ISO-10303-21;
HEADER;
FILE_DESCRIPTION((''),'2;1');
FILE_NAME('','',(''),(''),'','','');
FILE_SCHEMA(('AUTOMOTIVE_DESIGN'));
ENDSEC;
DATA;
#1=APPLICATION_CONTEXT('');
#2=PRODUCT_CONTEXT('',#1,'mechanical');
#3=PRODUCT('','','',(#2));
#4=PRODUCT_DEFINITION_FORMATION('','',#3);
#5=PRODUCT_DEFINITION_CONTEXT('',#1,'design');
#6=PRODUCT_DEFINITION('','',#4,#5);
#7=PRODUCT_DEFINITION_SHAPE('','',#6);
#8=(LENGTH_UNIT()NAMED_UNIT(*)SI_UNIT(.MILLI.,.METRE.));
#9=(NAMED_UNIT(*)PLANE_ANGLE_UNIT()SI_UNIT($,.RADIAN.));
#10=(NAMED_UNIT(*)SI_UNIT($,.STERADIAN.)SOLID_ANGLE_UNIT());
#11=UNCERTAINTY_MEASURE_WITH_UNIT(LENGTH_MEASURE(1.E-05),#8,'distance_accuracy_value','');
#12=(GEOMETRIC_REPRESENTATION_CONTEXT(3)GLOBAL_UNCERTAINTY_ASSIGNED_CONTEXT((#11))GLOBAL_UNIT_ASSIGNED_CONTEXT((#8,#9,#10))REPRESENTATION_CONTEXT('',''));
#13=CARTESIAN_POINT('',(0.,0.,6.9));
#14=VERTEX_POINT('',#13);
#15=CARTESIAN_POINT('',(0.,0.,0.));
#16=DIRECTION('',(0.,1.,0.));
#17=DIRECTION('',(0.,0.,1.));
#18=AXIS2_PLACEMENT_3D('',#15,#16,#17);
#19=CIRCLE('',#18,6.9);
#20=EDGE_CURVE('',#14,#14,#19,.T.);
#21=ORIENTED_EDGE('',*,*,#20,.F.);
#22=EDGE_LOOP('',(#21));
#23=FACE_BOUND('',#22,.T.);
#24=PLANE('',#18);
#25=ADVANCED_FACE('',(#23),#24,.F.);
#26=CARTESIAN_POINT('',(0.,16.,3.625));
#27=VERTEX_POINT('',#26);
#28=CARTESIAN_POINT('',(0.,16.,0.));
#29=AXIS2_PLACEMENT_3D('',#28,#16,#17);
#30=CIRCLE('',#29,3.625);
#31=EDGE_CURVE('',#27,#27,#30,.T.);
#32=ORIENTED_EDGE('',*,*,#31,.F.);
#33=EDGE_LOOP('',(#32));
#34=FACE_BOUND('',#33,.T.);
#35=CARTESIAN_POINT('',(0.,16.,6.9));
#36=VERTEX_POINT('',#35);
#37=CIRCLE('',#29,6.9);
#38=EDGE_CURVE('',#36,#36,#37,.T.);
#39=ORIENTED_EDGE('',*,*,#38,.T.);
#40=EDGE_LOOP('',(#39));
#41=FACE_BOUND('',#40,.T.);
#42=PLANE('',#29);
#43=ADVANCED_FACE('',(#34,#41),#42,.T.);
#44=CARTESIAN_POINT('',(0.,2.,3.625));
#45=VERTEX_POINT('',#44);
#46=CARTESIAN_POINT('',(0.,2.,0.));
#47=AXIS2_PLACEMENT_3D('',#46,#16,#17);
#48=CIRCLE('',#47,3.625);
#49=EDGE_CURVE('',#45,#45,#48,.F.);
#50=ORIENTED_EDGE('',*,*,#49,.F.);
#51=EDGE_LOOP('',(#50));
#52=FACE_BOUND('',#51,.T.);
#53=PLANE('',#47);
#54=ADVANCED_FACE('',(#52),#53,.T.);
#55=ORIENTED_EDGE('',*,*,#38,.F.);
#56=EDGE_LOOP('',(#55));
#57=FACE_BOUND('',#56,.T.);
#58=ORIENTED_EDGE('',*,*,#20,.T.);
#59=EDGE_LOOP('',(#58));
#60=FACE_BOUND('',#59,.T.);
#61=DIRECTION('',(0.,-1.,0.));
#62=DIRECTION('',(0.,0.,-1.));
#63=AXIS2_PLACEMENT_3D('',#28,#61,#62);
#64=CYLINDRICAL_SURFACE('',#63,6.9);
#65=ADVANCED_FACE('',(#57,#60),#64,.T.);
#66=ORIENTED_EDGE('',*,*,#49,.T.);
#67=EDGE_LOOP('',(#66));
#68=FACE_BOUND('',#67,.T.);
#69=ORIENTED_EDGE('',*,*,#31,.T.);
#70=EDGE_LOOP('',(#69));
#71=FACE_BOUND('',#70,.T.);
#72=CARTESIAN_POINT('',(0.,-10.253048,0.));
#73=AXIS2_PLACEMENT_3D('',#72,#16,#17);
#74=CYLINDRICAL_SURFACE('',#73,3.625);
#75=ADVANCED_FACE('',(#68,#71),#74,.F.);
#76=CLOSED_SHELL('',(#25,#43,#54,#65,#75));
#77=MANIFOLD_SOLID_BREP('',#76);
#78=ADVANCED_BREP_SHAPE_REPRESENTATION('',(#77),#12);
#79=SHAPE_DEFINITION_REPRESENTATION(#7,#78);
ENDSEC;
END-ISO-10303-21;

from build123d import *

# Parameters (mm, degrees)
SKETCH1_R           = 6.9
BOSS_EXTRUDE1_DEPTH = 16
SKETCH2_R           = 3.625
CUT_EXTRUDE1_DEPTH  = 14


with BuildPart() as part:
    # Sketch1 → Boss-Extrude1 (new body)
    with BuildSketch(Plane(origin=(0, 0, 0), x_dir=(1, 0, 0), z_dir=(0, 1, 0))):
        with Locations(Location((0, 0, 0), (0, 0, 270))):
            Circle(SKETCH1_R)
    extrude(amount=BOSS_EXTRUDE1_DEPTH)

    # Sketch2 → Cut-Extrude1 (cut)
    with BuildSketch(Plane(origin=(0, 16, 0), x_dir=(1, 0, 0), z_dir=(0, 1, 0))):
        with Locations(Location((0, 0, 0), (0, 0, 270))):
            Circle(SKETCH2_R)
    extrude(amount=-CUT_EXTRUDE1_DEPTH, mode=Mode.SUBTRACT)


solid = part.part
